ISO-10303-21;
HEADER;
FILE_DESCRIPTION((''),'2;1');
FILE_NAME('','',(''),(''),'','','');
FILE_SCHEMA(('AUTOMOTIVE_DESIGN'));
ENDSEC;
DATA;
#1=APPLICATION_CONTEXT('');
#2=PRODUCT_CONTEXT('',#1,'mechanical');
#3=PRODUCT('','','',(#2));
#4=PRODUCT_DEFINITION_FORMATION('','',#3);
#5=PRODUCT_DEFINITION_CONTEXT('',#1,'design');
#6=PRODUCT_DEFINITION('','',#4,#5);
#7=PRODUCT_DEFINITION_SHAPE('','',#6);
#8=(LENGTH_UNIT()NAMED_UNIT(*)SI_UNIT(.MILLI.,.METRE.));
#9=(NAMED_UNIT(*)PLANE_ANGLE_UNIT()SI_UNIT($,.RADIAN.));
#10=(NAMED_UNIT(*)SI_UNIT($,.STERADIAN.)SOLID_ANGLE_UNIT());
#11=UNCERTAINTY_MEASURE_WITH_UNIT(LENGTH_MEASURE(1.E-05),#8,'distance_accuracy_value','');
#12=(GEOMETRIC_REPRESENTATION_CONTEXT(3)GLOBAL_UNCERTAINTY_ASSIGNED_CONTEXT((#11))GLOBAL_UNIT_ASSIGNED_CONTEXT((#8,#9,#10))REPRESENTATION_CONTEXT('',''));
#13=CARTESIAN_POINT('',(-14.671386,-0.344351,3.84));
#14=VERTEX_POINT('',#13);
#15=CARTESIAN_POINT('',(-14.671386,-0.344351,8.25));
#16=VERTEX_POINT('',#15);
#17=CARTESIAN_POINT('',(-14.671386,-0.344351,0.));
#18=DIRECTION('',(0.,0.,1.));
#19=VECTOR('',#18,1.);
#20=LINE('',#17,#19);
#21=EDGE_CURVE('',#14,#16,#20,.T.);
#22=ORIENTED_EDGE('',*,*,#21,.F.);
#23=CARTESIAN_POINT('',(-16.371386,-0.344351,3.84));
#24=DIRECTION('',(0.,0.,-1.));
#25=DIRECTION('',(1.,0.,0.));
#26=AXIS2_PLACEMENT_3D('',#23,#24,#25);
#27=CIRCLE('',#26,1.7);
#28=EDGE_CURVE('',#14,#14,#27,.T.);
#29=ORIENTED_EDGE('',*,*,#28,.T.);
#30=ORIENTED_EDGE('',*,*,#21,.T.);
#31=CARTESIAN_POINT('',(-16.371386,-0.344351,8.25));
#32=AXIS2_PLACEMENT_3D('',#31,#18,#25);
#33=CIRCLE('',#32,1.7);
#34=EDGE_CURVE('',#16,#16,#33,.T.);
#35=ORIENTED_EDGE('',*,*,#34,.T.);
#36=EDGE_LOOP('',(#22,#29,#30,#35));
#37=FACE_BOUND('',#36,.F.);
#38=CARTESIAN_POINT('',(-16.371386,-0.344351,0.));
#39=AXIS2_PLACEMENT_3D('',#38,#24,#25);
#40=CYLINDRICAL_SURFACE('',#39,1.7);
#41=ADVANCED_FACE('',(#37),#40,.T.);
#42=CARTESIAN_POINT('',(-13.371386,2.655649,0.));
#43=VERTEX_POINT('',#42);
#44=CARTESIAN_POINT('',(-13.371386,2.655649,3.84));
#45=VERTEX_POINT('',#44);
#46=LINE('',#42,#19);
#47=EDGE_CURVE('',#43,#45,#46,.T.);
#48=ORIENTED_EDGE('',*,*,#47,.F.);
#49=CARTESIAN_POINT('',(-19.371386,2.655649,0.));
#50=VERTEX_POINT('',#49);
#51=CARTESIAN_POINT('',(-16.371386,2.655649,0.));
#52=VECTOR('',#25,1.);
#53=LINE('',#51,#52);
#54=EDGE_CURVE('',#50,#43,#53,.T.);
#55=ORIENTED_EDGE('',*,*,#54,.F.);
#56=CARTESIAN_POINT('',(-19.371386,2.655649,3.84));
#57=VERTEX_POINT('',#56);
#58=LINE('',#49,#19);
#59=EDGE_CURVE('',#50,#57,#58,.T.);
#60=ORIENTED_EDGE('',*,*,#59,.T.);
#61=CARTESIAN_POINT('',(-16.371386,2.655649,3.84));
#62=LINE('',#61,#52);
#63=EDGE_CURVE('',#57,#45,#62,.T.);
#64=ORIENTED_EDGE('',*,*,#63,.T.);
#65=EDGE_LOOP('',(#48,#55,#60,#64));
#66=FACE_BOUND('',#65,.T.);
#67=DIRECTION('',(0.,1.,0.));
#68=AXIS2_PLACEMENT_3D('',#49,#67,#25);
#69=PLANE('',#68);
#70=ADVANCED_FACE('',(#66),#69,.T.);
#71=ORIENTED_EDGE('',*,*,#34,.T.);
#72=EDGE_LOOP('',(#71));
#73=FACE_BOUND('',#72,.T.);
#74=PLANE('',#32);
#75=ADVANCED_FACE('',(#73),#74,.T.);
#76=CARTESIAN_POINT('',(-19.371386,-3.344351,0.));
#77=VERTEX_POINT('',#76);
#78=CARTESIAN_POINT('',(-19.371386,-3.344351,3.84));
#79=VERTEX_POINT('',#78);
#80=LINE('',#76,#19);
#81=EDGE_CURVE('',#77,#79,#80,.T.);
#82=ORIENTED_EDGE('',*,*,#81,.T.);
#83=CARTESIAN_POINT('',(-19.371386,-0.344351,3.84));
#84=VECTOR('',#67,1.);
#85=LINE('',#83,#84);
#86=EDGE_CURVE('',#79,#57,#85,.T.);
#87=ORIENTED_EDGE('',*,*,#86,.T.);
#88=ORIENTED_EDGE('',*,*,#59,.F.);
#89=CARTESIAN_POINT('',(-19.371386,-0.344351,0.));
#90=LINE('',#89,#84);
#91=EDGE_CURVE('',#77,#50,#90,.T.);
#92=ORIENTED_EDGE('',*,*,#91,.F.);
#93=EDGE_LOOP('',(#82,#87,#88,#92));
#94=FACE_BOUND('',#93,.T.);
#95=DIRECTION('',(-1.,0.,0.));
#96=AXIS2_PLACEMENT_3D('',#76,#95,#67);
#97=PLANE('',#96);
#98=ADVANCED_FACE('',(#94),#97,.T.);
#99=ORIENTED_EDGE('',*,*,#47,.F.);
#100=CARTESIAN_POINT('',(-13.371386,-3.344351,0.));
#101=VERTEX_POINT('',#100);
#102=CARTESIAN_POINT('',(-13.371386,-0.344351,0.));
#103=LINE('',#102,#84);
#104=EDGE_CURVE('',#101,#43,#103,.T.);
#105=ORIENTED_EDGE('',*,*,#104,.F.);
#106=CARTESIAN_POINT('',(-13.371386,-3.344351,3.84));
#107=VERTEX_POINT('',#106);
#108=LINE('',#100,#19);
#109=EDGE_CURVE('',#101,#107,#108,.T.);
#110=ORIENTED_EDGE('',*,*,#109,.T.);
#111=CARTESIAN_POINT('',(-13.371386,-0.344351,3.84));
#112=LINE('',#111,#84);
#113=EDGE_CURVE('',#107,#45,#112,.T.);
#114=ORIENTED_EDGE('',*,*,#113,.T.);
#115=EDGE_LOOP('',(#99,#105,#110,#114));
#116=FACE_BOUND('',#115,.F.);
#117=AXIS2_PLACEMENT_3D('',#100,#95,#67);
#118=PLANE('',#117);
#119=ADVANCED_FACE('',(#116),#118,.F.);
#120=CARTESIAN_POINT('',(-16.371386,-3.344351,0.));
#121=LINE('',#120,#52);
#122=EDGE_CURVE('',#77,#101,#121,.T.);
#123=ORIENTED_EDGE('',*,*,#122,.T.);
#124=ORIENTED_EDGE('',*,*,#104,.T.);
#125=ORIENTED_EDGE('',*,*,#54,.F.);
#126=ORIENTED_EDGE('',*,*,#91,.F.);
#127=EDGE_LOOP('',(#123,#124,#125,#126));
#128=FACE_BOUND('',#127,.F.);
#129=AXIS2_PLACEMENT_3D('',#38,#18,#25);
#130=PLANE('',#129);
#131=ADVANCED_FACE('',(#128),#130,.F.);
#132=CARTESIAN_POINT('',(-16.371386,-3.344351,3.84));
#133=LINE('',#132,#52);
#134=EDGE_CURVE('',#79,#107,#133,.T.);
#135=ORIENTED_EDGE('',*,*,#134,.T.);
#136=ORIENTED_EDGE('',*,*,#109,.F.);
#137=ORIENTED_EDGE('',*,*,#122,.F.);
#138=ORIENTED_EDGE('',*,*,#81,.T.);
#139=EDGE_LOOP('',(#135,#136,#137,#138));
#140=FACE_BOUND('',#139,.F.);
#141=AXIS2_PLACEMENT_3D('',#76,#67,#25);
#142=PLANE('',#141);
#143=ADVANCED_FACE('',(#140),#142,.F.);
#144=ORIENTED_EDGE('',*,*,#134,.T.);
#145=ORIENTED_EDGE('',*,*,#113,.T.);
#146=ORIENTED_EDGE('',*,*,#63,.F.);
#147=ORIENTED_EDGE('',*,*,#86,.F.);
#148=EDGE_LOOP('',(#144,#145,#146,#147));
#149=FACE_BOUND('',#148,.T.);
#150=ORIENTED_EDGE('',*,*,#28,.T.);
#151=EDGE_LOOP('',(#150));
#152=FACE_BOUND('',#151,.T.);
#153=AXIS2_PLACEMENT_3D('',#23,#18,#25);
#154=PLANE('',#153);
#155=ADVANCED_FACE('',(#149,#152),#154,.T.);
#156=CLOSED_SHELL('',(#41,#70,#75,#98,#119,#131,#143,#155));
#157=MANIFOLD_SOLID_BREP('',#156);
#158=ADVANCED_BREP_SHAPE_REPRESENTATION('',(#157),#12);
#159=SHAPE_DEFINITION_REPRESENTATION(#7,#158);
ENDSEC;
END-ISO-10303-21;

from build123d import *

# Parameters (mm, degrees)
F0_W     = 6
F0_H     = 6
F0_R     = 1.7
F1_DEPTH = 3.84
F2_DEPTH = 8.25


with BuildPart() as f1:
    # F0 (on Top) → F1 (new body)
    with BuildSketch(Plane.XY):
        with Locations((-16.371386, -0.344351)):
            Rectangle(F0_W, F0_H)
        with Locations((-16.371386, -0.344351)):
            Circle(F0_R, mode=Mode.SUBTRACT)
        with Locations((-16.371386, -0.344351)):
            Circle(F0_R)
    extrude(amount=F1_DEPTH)

    # F0 (on Top) → F2 (join)
    with BuildSketch(Plane.XY):
        with Locations((-16.371386, -0.344351)):
            Circle(F0_R)
    extrude(amount=F2_DEPTH)


solid = f1.part
